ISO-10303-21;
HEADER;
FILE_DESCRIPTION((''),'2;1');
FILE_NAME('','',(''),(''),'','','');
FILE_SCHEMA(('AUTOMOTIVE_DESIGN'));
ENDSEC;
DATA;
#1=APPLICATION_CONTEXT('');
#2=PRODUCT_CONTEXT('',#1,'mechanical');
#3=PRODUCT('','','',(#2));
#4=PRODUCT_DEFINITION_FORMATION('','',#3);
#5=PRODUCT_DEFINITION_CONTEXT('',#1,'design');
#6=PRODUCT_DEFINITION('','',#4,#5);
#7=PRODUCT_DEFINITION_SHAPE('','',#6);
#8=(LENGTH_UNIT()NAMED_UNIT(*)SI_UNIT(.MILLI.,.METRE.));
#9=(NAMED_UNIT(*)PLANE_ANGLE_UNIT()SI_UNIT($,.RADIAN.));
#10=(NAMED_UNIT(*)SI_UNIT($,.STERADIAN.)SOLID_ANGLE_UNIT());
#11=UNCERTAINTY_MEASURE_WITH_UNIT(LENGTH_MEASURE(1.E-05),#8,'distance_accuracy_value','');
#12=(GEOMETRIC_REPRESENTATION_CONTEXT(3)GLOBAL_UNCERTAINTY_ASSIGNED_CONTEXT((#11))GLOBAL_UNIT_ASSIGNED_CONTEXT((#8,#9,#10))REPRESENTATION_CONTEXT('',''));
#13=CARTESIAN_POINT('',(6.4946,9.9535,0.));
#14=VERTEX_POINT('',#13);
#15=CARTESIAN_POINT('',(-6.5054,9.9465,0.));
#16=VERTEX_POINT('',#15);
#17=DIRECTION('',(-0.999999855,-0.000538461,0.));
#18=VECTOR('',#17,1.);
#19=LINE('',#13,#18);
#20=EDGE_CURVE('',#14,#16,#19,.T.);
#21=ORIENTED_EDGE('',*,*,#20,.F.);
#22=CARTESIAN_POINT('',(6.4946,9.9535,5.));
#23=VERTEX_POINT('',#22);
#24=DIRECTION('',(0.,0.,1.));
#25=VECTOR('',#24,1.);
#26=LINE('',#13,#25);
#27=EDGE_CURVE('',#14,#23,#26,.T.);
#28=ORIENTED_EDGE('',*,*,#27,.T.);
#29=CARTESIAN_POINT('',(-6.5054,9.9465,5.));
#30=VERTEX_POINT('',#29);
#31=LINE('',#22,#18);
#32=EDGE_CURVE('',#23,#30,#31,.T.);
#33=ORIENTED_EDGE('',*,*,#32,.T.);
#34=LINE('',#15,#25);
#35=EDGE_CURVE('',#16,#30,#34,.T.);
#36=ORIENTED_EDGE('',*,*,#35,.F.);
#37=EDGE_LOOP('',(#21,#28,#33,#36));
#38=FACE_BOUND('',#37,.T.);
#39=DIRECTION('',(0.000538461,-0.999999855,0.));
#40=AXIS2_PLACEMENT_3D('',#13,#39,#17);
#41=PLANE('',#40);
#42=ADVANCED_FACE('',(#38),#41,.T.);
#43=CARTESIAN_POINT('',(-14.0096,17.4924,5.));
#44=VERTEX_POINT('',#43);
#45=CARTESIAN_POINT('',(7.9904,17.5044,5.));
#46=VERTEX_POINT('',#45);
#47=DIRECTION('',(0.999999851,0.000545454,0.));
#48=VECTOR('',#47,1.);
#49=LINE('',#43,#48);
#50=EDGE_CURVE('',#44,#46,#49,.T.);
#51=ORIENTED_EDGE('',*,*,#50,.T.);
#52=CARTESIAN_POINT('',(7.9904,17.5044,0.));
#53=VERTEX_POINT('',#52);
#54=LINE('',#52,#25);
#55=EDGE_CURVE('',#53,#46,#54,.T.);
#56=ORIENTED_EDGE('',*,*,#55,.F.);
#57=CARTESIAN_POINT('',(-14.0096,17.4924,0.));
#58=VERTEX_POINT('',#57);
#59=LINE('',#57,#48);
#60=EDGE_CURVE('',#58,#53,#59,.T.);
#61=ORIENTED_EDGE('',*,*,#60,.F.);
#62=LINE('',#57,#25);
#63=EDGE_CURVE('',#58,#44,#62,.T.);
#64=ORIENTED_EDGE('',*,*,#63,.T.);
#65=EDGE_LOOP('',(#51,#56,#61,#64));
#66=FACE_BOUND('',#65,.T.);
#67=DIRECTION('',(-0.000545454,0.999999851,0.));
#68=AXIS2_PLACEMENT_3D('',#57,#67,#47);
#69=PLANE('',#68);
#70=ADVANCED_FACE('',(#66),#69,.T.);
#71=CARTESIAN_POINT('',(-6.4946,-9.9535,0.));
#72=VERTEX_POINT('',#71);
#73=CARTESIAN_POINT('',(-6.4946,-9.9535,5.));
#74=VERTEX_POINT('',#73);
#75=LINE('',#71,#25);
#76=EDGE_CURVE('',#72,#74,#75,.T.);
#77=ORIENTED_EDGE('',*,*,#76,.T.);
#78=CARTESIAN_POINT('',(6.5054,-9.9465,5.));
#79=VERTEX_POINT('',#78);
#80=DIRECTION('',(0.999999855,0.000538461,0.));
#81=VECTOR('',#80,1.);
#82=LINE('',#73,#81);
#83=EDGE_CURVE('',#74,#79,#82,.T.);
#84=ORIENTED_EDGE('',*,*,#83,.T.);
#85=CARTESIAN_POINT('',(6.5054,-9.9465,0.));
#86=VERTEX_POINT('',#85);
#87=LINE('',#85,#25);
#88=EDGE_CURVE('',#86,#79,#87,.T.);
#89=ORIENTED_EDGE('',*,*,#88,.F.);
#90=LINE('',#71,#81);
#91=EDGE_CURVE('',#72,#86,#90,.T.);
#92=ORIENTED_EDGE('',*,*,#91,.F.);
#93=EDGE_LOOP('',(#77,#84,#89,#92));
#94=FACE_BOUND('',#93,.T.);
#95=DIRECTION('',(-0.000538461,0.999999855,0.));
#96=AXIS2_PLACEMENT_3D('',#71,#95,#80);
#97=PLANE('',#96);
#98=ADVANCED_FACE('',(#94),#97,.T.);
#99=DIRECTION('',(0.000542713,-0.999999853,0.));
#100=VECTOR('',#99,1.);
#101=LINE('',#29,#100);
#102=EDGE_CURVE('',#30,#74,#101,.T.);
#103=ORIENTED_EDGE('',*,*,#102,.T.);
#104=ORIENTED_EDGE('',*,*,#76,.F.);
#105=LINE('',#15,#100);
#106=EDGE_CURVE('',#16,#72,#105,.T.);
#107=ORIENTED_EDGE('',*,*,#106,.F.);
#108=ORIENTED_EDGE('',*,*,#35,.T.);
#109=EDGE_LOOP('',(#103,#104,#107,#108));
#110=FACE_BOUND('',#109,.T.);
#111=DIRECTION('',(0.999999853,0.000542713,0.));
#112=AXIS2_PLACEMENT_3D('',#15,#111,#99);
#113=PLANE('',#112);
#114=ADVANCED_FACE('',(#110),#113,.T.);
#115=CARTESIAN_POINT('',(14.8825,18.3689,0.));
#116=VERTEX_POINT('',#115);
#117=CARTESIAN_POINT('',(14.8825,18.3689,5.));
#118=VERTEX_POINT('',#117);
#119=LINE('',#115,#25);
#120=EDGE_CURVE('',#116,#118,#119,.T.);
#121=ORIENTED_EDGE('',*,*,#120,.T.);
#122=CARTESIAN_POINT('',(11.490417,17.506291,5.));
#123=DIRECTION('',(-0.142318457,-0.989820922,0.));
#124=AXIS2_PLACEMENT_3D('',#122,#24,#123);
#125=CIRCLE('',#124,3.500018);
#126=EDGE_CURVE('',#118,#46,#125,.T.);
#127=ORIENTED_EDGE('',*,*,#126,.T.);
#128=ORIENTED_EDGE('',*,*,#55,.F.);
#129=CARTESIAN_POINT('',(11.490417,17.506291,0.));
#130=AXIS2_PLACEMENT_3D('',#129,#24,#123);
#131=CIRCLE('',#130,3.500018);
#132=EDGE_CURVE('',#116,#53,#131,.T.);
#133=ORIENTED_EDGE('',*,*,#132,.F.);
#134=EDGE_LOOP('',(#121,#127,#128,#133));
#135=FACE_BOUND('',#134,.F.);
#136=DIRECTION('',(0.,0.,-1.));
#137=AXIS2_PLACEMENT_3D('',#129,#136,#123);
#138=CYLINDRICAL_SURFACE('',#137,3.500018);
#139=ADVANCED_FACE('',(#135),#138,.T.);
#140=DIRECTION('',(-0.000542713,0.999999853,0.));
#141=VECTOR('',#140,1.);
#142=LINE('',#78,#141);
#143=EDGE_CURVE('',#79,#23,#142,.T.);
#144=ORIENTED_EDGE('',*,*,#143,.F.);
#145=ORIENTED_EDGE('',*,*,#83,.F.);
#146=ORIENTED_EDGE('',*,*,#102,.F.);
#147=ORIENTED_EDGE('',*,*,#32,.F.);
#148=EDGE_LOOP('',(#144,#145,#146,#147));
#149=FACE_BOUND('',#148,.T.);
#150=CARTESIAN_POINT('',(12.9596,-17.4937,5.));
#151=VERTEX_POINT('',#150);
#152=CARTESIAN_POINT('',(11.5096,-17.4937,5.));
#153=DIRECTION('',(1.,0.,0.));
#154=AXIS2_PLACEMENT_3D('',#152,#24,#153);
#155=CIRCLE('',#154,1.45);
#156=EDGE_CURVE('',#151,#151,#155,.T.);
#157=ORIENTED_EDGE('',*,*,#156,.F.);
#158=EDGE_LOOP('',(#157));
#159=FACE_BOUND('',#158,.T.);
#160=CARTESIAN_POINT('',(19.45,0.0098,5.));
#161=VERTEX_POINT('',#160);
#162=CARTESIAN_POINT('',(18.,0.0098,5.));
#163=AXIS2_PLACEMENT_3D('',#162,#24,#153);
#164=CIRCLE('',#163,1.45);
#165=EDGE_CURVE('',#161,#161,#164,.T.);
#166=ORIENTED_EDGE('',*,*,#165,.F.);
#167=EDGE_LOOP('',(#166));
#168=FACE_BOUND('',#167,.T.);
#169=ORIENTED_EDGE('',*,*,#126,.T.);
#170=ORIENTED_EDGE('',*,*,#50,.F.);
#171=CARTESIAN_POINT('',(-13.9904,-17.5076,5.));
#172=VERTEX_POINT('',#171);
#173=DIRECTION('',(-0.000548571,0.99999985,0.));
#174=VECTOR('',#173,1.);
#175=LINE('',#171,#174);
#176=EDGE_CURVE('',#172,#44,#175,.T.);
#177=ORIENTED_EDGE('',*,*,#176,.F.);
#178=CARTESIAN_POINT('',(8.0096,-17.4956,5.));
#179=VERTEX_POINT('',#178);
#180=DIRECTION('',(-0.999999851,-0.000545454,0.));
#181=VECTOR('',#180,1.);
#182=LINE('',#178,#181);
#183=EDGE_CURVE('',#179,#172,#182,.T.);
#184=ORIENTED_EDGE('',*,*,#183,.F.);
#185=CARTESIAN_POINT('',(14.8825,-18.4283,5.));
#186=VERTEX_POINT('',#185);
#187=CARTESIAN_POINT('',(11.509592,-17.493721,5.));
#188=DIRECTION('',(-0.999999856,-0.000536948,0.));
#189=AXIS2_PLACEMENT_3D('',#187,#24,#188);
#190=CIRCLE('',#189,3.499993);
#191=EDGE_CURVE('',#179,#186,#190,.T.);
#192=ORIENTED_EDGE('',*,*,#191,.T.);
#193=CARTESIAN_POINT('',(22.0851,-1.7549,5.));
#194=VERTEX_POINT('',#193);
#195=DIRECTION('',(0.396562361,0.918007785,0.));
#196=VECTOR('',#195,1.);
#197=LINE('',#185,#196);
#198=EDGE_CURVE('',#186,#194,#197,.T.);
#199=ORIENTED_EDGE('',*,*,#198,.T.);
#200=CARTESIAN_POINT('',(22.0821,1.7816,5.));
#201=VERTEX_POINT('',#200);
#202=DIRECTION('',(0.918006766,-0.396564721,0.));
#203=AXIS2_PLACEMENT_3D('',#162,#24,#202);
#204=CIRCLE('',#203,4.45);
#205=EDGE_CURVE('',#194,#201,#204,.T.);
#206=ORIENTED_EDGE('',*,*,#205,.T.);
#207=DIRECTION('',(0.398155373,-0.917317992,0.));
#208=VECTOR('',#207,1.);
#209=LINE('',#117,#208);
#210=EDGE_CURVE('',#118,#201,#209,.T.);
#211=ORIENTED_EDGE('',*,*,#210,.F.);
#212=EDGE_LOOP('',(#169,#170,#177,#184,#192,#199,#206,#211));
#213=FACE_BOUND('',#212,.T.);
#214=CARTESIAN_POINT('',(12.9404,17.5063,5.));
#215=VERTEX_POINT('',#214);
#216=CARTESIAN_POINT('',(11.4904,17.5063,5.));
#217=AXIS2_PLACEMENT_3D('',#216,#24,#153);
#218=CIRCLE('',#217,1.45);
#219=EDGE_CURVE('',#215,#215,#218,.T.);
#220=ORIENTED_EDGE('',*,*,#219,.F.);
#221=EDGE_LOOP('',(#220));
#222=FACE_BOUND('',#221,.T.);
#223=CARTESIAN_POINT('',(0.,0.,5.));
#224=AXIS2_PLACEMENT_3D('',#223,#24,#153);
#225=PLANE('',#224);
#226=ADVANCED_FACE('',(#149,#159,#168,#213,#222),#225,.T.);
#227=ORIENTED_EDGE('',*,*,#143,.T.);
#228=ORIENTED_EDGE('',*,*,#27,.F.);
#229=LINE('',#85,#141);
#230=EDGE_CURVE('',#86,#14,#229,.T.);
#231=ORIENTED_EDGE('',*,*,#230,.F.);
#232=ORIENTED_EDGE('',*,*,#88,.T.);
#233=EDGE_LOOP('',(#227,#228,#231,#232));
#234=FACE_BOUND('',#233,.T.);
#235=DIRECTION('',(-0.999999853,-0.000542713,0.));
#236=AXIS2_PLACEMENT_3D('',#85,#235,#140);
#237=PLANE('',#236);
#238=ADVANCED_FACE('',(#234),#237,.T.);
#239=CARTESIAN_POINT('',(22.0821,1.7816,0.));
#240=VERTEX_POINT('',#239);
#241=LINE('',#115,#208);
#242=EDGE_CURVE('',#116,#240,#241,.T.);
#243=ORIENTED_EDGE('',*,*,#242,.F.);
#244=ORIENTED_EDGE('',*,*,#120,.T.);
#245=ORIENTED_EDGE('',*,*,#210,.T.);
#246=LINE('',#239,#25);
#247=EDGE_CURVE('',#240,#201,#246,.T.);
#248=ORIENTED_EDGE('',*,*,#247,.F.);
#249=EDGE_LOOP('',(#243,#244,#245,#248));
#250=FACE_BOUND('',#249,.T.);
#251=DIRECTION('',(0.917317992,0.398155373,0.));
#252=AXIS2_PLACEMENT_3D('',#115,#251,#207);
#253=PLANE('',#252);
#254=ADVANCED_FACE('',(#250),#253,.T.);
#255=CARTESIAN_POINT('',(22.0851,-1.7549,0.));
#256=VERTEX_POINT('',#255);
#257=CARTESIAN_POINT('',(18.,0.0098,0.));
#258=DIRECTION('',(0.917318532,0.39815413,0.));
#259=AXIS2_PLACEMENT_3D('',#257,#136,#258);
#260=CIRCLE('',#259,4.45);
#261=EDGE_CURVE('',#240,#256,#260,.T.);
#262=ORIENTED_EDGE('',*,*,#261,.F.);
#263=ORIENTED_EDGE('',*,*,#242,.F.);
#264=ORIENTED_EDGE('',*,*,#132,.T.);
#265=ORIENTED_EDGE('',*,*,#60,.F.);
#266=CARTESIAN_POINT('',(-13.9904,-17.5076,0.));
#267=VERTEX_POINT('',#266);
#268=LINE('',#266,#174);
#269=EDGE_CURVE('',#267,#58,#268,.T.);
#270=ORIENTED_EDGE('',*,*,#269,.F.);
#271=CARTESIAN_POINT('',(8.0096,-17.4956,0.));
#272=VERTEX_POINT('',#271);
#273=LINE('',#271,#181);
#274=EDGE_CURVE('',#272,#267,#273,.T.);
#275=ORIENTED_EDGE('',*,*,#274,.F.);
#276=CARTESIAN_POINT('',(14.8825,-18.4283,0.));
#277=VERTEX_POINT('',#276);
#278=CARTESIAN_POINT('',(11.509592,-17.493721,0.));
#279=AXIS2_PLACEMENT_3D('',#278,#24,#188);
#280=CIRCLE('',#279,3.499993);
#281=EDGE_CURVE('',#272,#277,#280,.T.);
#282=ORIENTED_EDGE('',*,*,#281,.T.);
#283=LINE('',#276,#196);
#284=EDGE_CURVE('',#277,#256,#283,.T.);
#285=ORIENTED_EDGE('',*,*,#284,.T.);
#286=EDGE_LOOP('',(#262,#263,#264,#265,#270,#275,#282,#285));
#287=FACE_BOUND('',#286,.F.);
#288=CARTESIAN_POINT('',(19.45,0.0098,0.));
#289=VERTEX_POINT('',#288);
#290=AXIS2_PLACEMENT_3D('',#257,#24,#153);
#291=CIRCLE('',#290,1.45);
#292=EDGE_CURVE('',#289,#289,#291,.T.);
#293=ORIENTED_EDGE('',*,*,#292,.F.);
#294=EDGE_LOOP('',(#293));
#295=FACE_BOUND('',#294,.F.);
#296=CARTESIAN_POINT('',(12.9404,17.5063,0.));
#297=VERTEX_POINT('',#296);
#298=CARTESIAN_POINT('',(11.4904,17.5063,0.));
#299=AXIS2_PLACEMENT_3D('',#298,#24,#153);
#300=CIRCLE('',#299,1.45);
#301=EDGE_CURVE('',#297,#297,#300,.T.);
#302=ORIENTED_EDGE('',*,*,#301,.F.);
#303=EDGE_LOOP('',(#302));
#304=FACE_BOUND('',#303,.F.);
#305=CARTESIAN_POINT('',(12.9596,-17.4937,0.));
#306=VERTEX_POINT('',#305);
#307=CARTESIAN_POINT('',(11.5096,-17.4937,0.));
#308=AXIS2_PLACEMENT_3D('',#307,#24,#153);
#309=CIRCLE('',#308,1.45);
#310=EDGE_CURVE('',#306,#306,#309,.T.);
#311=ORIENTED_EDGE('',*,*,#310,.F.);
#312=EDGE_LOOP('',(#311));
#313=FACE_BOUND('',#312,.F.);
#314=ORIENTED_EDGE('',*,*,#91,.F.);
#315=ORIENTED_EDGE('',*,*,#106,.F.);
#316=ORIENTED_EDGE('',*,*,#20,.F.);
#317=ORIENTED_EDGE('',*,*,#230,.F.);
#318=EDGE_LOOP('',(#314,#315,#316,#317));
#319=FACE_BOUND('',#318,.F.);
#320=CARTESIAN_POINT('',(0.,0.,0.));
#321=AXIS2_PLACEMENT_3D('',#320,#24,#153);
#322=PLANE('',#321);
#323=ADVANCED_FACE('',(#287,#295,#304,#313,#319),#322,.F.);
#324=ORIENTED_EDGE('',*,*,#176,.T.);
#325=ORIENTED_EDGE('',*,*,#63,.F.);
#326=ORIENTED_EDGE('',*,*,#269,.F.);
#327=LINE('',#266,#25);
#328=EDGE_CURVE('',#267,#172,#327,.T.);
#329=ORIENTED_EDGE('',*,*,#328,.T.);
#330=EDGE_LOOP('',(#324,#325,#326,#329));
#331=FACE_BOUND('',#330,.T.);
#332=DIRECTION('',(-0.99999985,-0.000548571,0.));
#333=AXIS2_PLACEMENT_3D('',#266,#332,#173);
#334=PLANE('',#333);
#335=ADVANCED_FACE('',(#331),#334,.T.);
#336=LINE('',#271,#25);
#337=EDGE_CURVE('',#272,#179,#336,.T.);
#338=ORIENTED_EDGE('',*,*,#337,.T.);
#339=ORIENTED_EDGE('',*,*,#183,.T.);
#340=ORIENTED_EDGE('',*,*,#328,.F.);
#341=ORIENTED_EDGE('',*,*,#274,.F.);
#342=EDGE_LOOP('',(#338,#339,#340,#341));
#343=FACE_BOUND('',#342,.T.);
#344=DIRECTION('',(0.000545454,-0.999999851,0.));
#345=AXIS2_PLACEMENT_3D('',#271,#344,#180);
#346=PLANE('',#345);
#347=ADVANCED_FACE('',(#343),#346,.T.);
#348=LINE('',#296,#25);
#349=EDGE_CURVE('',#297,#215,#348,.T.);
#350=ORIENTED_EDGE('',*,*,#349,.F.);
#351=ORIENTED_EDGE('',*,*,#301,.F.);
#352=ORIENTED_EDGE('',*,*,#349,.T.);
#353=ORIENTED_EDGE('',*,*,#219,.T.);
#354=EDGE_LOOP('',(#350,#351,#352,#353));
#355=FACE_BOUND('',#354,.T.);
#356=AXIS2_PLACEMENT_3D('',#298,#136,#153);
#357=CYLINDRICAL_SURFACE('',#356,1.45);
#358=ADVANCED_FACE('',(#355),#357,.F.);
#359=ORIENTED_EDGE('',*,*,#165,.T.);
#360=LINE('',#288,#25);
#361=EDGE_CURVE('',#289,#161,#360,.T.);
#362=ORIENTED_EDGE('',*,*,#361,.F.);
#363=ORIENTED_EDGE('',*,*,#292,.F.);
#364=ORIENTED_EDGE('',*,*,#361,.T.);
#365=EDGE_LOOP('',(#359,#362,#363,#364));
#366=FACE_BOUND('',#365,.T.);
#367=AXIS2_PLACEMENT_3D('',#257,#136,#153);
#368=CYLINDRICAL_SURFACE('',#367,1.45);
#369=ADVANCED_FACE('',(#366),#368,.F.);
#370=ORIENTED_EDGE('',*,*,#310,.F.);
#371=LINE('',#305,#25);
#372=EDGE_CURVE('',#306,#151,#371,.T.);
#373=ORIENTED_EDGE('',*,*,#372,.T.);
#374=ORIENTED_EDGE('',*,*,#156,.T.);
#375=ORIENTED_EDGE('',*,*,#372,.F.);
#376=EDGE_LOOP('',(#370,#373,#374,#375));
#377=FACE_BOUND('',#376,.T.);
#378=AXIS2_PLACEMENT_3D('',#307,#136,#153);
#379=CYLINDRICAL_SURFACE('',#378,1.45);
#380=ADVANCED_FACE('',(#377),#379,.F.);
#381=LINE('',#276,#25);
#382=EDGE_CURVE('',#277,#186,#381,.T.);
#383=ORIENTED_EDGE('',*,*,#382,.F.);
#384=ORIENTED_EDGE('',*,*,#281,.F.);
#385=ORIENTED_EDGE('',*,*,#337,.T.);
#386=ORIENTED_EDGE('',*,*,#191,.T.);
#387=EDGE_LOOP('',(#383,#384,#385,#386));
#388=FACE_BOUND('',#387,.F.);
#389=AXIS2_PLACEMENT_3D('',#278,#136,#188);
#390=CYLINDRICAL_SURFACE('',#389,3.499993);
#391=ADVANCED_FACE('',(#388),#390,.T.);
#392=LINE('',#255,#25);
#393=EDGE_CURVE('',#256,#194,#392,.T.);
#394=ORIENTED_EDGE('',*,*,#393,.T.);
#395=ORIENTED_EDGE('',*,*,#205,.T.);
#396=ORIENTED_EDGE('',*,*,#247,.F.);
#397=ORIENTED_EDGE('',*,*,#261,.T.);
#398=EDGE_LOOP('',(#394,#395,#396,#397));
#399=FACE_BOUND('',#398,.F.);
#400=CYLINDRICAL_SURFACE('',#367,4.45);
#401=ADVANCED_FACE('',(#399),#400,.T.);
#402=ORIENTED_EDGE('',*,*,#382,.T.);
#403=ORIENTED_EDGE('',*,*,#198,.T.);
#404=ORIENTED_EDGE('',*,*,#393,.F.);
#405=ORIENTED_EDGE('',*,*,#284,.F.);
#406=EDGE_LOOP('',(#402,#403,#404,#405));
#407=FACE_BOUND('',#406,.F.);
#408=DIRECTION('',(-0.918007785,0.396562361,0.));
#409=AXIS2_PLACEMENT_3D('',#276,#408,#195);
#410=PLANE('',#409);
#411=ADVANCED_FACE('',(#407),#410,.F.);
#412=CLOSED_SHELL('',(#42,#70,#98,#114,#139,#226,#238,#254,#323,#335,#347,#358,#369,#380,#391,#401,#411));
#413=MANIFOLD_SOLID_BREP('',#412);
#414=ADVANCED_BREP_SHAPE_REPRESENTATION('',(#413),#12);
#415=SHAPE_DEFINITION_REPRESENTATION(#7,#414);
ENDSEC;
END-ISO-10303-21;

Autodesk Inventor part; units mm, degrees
ref_plane "YZ Plane" through (0, 0, 0) normal (1, 0, 0) x (0, 1, 0)
ref_plane "XZ Plane" through (0, 0, 0) normal (0, 1, 0) x (-1, 0, 0)
ref_plane "XY Plane" through (0, 0, 0) normal (0, 0, 1) x (1, 0, 0)
sketch "Sketch1" plane through (0, 0, 0) normal (0, 0, 1) x (1, 0, 0)
  circle A0 centre (11.5096, -17.4937) radius 1.45 projected
  circle A1 centre (11.4904, 17.5063) radius 1.45 projected
  line L0 (-6.5054, 9.9465) -> (-6.4946, -9.9535) projected
  line L1 (-6.4946, -9.9535) -> (6.5054, -9.9465) projected
  line L2 (6.5054, -9.9465) -> (6.4946, 9.9535) projected
  line L3 (6.4946, 9.9535) -> (-6.5054, 9.9465) projected
  arc A2 (8.0096, -17.4956) -> (11.0077, -14.0299) centre (11.5096, -17.4937) ccw projected
  line L4 (8.0096, -17.4956) -> (-13.9904, -17.5076) projected
  line L5 (-13.9904, -17.5076) -> (-14.0096, 17.4924) projected
  line L6 (-14.0096, 17.4924) -> (7.9904, 17.5044) projected
  arc A3 (10.9923, 14.0419) -> (7.9904, 17.5044) centre (11.4904, 17.5063) ccw projected
  line L7 (10.9923, 14.0419) -> (11.0077, -14.0299) projected
  ellipse E0 centre (120.0743, 0.0597) end of major axis (125.4052, -3.3899) minor radius 6.3497 projected
  circle A4 centre (18, 0.0098) radius 1.45
  line L8 (7.9904, 17.5044) -> (8.0096, -17.4956)
  circle A5 centre (18, 0.0098) radius 4.45
  line L9 (14.8825, 18.3689) -> (22.0821, 1.7816)
  line L10 (14.8825, -18.4283) -> (22.0851, -1.7549)
  point P0 (0, 0)
  dimension "d0" = 2.9
  dimension "d1" = 3
  dimension "d2" = 7
extrude "Extrusion1" add sketch "Sketch1" along normal blind 5 contours L8 A3 L7 A2 | L4 L5 L6 L8 | A2 L7 A3 L9 A5 L10 | A5
properties part number "03_OTmic_belt_gear"
